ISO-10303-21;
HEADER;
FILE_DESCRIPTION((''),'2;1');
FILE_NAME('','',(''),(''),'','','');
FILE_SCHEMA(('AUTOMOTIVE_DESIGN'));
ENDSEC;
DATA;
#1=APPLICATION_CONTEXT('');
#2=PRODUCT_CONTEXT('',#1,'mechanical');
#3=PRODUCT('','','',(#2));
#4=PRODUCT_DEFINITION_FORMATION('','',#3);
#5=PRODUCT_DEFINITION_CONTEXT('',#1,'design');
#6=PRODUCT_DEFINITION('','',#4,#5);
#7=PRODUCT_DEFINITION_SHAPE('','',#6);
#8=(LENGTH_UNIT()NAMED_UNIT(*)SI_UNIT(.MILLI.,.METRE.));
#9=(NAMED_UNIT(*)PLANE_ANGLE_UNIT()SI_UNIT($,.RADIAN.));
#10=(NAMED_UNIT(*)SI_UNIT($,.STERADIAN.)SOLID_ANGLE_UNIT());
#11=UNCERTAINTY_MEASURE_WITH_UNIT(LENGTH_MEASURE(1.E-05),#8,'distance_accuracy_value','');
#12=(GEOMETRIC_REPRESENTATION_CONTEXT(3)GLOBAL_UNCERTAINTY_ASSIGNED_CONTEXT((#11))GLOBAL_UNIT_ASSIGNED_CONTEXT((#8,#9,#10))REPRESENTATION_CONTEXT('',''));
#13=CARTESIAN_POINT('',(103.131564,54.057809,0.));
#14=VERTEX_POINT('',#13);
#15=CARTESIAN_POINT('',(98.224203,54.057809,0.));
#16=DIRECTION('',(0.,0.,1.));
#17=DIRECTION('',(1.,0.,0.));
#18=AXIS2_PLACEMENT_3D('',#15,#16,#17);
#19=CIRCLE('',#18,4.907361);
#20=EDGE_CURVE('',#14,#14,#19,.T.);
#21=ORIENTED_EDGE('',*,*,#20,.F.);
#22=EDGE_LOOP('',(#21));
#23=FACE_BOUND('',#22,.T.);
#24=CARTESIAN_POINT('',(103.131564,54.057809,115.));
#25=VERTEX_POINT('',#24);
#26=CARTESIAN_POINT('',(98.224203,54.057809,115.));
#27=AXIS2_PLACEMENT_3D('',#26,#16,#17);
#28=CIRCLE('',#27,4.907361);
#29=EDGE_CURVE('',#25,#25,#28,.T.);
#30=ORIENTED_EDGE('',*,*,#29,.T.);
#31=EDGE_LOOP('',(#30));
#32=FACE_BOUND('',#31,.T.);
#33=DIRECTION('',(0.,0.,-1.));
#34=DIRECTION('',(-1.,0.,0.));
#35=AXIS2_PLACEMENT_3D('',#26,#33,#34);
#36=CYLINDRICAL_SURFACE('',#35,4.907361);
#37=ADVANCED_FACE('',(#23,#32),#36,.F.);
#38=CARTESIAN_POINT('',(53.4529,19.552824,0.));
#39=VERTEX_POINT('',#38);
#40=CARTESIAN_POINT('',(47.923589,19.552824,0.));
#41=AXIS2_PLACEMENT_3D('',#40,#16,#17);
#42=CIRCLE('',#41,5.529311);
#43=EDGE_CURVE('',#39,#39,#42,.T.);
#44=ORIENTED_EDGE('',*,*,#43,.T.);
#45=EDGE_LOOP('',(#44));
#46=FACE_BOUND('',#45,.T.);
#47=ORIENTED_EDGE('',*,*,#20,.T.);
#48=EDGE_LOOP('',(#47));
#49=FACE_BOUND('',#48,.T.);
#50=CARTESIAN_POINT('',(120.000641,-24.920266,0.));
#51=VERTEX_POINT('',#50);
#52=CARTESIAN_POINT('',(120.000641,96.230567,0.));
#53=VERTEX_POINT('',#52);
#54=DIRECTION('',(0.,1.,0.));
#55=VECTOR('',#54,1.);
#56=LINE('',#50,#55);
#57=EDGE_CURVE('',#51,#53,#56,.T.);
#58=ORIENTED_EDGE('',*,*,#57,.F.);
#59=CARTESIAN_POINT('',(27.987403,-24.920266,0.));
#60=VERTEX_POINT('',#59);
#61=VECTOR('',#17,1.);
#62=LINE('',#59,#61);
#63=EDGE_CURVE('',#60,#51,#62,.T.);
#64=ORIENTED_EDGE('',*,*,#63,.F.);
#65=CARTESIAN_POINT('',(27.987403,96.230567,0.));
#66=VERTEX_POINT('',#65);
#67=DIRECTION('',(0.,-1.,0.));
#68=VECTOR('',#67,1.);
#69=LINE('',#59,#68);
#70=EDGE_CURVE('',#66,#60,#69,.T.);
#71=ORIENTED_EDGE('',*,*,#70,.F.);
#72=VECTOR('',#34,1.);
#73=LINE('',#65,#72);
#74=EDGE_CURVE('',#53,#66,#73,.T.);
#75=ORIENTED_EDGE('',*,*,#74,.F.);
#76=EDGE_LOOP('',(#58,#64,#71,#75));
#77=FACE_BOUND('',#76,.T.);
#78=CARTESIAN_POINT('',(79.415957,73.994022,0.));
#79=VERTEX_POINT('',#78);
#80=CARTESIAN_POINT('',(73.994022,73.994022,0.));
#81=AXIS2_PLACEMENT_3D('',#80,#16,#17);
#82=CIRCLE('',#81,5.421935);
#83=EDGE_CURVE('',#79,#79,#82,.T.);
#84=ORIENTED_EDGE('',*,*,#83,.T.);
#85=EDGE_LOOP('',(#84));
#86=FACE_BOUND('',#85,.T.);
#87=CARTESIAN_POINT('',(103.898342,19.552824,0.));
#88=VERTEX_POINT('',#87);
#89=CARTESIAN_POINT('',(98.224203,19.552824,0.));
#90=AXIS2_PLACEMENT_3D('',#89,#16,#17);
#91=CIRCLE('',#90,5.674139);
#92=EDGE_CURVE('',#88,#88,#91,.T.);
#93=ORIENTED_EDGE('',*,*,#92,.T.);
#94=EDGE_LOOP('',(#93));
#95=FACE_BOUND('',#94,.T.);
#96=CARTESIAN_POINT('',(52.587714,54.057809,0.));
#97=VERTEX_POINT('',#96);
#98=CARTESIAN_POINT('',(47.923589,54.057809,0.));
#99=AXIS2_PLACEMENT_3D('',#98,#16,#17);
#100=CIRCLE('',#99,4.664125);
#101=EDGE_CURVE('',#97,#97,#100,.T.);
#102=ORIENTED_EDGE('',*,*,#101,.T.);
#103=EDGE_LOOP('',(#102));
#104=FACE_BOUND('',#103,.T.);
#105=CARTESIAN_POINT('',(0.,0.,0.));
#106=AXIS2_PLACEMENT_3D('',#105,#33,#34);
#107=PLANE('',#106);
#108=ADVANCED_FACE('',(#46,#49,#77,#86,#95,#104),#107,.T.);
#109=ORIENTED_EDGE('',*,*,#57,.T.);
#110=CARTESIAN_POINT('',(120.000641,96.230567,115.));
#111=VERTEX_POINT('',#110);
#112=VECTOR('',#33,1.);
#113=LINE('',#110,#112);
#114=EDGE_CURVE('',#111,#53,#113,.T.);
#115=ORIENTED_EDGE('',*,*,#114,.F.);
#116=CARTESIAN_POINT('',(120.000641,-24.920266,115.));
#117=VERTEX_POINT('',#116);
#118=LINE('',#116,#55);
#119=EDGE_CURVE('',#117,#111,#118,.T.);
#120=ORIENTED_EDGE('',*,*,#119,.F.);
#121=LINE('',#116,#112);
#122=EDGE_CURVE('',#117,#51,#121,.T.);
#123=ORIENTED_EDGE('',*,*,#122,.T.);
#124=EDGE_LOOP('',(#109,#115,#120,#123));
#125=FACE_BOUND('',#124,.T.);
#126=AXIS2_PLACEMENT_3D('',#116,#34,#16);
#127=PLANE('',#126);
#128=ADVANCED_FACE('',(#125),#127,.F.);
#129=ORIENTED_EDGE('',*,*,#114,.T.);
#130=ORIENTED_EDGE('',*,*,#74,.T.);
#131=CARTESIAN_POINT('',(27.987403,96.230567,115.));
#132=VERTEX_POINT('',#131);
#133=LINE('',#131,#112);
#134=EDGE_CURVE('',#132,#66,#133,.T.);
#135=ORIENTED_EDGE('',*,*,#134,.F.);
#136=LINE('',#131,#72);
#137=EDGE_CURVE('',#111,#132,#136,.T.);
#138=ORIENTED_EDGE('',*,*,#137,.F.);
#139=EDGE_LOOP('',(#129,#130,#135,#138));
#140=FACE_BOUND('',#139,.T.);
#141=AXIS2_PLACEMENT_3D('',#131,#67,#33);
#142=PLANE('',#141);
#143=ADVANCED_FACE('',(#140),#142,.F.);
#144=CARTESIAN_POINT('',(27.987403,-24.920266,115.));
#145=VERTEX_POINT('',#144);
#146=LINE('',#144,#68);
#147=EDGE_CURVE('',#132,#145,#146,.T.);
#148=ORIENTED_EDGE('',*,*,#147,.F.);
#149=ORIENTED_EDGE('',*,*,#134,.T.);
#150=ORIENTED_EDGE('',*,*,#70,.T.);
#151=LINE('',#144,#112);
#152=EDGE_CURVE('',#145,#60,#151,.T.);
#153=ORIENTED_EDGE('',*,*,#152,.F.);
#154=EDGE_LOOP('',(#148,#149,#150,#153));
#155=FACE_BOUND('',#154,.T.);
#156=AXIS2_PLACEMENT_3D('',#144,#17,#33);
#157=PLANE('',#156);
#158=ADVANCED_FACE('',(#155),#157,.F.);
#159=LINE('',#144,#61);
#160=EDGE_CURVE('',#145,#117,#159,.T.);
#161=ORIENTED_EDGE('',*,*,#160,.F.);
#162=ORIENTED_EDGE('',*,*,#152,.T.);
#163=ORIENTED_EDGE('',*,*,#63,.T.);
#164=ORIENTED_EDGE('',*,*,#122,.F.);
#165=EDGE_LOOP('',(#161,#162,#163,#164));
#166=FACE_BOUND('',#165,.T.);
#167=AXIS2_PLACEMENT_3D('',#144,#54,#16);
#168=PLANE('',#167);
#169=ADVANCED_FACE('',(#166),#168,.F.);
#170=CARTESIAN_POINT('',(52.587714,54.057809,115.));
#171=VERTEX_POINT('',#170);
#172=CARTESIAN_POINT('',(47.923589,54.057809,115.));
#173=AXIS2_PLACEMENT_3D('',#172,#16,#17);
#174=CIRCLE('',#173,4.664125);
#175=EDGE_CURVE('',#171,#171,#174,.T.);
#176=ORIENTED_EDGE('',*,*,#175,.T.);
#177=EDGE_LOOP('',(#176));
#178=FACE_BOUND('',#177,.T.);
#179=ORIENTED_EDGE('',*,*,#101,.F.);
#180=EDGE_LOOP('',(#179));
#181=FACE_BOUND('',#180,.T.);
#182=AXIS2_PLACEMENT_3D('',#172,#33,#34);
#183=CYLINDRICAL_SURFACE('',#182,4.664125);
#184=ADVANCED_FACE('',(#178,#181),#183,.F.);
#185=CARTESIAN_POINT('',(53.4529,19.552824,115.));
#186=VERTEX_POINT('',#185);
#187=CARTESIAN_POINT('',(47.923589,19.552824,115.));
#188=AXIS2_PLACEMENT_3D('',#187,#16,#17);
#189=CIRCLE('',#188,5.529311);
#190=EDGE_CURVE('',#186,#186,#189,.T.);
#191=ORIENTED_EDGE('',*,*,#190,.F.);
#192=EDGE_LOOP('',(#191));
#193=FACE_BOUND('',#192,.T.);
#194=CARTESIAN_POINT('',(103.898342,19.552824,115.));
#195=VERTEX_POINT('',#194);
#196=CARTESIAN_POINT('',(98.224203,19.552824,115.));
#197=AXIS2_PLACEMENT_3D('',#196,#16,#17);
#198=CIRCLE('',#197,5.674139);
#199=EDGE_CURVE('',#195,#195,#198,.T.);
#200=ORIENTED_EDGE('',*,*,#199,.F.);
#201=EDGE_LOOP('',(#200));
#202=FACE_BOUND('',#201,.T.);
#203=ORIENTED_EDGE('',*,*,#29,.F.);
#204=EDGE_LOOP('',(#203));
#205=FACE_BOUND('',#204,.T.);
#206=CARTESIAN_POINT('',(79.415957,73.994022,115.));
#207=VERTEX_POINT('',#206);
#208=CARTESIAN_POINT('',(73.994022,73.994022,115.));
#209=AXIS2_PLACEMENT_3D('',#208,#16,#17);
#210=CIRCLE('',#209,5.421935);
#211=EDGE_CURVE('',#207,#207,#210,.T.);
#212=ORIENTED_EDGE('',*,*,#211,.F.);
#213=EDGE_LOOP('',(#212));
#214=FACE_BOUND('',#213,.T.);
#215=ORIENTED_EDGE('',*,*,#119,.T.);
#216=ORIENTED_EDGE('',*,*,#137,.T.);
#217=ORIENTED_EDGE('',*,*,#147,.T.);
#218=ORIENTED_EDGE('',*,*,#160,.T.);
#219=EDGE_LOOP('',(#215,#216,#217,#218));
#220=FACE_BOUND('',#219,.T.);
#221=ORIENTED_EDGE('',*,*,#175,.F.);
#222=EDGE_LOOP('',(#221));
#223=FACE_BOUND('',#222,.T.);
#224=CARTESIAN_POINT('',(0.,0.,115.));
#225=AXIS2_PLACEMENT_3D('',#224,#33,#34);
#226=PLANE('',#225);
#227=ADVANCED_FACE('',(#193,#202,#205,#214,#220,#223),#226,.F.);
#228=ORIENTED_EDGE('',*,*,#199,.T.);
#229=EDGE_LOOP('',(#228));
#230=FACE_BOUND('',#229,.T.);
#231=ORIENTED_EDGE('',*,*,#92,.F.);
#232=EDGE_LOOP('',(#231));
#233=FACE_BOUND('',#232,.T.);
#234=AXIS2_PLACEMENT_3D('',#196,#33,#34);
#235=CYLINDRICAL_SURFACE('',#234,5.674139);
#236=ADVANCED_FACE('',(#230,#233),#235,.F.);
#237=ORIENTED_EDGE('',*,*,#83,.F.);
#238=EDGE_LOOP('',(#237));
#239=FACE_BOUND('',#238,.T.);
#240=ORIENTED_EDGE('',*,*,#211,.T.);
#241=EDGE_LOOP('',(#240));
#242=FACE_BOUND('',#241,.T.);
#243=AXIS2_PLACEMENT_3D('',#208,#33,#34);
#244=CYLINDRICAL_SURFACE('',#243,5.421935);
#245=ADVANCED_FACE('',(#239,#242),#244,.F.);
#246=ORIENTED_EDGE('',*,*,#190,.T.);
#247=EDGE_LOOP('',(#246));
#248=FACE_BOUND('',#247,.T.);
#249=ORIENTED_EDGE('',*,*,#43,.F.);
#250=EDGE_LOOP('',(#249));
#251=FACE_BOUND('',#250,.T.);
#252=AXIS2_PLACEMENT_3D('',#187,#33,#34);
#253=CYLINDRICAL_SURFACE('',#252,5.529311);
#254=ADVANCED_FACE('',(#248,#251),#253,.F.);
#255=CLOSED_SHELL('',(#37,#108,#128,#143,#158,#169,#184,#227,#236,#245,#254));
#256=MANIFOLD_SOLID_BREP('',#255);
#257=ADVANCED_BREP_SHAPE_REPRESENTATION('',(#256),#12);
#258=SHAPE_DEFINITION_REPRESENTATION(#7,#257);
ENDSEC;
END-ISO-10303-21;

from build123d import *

# Parameters (mm, degrees)
SKETCH3_W           = 92.013237226
SKETCH3_H           = 121.150833856
SKETCH3_R           = 5.4219352
SKETCH3_R_2         = 4.664125017
SKETCH3_R_3         = 4.907361247
SKETCH3_R_4         = 5.529310678
SKETCH3_R_5         = 5.674138676
BOSS_EXTRUDE2_DEPTH = 115


with BuildPart() as part:
    # Sketch3 → Boss-Extrude2 (new body)
    with BuildSketch(Plane.XY):
        with Locations((73.994021944, 35.65515047)):
            Rectangle(SKETCH3_W, SKETCH3_H)
        with Locations((73.994021944, 73.994021944)):
            Circle(SKETCH3_R, mode=Mode.SUBTRACT)
        with Locations((47.923589342, 54.057808777)):
            Circle(SKETCH3_R_2, mode=Mode.SUBTRACT)
        with Locations((98.224203016, 54.057808777)):
            Circle(SKETCH3_R_3, mode=Mode.SUBTRACT)
        with Locations((47.923589342, 19.552824451)):
            Circle(SKETCH3_R_4, mode=Mode.SUBTRACT)
        with Locations((98.224203016, 19.552824451)):
            Circle(SKETCH3_R_5, mode=Mode.SUBTRACT)
    extrude(amount=BOSS_EXTRUDE2_DEPTH)


solid = part.part
